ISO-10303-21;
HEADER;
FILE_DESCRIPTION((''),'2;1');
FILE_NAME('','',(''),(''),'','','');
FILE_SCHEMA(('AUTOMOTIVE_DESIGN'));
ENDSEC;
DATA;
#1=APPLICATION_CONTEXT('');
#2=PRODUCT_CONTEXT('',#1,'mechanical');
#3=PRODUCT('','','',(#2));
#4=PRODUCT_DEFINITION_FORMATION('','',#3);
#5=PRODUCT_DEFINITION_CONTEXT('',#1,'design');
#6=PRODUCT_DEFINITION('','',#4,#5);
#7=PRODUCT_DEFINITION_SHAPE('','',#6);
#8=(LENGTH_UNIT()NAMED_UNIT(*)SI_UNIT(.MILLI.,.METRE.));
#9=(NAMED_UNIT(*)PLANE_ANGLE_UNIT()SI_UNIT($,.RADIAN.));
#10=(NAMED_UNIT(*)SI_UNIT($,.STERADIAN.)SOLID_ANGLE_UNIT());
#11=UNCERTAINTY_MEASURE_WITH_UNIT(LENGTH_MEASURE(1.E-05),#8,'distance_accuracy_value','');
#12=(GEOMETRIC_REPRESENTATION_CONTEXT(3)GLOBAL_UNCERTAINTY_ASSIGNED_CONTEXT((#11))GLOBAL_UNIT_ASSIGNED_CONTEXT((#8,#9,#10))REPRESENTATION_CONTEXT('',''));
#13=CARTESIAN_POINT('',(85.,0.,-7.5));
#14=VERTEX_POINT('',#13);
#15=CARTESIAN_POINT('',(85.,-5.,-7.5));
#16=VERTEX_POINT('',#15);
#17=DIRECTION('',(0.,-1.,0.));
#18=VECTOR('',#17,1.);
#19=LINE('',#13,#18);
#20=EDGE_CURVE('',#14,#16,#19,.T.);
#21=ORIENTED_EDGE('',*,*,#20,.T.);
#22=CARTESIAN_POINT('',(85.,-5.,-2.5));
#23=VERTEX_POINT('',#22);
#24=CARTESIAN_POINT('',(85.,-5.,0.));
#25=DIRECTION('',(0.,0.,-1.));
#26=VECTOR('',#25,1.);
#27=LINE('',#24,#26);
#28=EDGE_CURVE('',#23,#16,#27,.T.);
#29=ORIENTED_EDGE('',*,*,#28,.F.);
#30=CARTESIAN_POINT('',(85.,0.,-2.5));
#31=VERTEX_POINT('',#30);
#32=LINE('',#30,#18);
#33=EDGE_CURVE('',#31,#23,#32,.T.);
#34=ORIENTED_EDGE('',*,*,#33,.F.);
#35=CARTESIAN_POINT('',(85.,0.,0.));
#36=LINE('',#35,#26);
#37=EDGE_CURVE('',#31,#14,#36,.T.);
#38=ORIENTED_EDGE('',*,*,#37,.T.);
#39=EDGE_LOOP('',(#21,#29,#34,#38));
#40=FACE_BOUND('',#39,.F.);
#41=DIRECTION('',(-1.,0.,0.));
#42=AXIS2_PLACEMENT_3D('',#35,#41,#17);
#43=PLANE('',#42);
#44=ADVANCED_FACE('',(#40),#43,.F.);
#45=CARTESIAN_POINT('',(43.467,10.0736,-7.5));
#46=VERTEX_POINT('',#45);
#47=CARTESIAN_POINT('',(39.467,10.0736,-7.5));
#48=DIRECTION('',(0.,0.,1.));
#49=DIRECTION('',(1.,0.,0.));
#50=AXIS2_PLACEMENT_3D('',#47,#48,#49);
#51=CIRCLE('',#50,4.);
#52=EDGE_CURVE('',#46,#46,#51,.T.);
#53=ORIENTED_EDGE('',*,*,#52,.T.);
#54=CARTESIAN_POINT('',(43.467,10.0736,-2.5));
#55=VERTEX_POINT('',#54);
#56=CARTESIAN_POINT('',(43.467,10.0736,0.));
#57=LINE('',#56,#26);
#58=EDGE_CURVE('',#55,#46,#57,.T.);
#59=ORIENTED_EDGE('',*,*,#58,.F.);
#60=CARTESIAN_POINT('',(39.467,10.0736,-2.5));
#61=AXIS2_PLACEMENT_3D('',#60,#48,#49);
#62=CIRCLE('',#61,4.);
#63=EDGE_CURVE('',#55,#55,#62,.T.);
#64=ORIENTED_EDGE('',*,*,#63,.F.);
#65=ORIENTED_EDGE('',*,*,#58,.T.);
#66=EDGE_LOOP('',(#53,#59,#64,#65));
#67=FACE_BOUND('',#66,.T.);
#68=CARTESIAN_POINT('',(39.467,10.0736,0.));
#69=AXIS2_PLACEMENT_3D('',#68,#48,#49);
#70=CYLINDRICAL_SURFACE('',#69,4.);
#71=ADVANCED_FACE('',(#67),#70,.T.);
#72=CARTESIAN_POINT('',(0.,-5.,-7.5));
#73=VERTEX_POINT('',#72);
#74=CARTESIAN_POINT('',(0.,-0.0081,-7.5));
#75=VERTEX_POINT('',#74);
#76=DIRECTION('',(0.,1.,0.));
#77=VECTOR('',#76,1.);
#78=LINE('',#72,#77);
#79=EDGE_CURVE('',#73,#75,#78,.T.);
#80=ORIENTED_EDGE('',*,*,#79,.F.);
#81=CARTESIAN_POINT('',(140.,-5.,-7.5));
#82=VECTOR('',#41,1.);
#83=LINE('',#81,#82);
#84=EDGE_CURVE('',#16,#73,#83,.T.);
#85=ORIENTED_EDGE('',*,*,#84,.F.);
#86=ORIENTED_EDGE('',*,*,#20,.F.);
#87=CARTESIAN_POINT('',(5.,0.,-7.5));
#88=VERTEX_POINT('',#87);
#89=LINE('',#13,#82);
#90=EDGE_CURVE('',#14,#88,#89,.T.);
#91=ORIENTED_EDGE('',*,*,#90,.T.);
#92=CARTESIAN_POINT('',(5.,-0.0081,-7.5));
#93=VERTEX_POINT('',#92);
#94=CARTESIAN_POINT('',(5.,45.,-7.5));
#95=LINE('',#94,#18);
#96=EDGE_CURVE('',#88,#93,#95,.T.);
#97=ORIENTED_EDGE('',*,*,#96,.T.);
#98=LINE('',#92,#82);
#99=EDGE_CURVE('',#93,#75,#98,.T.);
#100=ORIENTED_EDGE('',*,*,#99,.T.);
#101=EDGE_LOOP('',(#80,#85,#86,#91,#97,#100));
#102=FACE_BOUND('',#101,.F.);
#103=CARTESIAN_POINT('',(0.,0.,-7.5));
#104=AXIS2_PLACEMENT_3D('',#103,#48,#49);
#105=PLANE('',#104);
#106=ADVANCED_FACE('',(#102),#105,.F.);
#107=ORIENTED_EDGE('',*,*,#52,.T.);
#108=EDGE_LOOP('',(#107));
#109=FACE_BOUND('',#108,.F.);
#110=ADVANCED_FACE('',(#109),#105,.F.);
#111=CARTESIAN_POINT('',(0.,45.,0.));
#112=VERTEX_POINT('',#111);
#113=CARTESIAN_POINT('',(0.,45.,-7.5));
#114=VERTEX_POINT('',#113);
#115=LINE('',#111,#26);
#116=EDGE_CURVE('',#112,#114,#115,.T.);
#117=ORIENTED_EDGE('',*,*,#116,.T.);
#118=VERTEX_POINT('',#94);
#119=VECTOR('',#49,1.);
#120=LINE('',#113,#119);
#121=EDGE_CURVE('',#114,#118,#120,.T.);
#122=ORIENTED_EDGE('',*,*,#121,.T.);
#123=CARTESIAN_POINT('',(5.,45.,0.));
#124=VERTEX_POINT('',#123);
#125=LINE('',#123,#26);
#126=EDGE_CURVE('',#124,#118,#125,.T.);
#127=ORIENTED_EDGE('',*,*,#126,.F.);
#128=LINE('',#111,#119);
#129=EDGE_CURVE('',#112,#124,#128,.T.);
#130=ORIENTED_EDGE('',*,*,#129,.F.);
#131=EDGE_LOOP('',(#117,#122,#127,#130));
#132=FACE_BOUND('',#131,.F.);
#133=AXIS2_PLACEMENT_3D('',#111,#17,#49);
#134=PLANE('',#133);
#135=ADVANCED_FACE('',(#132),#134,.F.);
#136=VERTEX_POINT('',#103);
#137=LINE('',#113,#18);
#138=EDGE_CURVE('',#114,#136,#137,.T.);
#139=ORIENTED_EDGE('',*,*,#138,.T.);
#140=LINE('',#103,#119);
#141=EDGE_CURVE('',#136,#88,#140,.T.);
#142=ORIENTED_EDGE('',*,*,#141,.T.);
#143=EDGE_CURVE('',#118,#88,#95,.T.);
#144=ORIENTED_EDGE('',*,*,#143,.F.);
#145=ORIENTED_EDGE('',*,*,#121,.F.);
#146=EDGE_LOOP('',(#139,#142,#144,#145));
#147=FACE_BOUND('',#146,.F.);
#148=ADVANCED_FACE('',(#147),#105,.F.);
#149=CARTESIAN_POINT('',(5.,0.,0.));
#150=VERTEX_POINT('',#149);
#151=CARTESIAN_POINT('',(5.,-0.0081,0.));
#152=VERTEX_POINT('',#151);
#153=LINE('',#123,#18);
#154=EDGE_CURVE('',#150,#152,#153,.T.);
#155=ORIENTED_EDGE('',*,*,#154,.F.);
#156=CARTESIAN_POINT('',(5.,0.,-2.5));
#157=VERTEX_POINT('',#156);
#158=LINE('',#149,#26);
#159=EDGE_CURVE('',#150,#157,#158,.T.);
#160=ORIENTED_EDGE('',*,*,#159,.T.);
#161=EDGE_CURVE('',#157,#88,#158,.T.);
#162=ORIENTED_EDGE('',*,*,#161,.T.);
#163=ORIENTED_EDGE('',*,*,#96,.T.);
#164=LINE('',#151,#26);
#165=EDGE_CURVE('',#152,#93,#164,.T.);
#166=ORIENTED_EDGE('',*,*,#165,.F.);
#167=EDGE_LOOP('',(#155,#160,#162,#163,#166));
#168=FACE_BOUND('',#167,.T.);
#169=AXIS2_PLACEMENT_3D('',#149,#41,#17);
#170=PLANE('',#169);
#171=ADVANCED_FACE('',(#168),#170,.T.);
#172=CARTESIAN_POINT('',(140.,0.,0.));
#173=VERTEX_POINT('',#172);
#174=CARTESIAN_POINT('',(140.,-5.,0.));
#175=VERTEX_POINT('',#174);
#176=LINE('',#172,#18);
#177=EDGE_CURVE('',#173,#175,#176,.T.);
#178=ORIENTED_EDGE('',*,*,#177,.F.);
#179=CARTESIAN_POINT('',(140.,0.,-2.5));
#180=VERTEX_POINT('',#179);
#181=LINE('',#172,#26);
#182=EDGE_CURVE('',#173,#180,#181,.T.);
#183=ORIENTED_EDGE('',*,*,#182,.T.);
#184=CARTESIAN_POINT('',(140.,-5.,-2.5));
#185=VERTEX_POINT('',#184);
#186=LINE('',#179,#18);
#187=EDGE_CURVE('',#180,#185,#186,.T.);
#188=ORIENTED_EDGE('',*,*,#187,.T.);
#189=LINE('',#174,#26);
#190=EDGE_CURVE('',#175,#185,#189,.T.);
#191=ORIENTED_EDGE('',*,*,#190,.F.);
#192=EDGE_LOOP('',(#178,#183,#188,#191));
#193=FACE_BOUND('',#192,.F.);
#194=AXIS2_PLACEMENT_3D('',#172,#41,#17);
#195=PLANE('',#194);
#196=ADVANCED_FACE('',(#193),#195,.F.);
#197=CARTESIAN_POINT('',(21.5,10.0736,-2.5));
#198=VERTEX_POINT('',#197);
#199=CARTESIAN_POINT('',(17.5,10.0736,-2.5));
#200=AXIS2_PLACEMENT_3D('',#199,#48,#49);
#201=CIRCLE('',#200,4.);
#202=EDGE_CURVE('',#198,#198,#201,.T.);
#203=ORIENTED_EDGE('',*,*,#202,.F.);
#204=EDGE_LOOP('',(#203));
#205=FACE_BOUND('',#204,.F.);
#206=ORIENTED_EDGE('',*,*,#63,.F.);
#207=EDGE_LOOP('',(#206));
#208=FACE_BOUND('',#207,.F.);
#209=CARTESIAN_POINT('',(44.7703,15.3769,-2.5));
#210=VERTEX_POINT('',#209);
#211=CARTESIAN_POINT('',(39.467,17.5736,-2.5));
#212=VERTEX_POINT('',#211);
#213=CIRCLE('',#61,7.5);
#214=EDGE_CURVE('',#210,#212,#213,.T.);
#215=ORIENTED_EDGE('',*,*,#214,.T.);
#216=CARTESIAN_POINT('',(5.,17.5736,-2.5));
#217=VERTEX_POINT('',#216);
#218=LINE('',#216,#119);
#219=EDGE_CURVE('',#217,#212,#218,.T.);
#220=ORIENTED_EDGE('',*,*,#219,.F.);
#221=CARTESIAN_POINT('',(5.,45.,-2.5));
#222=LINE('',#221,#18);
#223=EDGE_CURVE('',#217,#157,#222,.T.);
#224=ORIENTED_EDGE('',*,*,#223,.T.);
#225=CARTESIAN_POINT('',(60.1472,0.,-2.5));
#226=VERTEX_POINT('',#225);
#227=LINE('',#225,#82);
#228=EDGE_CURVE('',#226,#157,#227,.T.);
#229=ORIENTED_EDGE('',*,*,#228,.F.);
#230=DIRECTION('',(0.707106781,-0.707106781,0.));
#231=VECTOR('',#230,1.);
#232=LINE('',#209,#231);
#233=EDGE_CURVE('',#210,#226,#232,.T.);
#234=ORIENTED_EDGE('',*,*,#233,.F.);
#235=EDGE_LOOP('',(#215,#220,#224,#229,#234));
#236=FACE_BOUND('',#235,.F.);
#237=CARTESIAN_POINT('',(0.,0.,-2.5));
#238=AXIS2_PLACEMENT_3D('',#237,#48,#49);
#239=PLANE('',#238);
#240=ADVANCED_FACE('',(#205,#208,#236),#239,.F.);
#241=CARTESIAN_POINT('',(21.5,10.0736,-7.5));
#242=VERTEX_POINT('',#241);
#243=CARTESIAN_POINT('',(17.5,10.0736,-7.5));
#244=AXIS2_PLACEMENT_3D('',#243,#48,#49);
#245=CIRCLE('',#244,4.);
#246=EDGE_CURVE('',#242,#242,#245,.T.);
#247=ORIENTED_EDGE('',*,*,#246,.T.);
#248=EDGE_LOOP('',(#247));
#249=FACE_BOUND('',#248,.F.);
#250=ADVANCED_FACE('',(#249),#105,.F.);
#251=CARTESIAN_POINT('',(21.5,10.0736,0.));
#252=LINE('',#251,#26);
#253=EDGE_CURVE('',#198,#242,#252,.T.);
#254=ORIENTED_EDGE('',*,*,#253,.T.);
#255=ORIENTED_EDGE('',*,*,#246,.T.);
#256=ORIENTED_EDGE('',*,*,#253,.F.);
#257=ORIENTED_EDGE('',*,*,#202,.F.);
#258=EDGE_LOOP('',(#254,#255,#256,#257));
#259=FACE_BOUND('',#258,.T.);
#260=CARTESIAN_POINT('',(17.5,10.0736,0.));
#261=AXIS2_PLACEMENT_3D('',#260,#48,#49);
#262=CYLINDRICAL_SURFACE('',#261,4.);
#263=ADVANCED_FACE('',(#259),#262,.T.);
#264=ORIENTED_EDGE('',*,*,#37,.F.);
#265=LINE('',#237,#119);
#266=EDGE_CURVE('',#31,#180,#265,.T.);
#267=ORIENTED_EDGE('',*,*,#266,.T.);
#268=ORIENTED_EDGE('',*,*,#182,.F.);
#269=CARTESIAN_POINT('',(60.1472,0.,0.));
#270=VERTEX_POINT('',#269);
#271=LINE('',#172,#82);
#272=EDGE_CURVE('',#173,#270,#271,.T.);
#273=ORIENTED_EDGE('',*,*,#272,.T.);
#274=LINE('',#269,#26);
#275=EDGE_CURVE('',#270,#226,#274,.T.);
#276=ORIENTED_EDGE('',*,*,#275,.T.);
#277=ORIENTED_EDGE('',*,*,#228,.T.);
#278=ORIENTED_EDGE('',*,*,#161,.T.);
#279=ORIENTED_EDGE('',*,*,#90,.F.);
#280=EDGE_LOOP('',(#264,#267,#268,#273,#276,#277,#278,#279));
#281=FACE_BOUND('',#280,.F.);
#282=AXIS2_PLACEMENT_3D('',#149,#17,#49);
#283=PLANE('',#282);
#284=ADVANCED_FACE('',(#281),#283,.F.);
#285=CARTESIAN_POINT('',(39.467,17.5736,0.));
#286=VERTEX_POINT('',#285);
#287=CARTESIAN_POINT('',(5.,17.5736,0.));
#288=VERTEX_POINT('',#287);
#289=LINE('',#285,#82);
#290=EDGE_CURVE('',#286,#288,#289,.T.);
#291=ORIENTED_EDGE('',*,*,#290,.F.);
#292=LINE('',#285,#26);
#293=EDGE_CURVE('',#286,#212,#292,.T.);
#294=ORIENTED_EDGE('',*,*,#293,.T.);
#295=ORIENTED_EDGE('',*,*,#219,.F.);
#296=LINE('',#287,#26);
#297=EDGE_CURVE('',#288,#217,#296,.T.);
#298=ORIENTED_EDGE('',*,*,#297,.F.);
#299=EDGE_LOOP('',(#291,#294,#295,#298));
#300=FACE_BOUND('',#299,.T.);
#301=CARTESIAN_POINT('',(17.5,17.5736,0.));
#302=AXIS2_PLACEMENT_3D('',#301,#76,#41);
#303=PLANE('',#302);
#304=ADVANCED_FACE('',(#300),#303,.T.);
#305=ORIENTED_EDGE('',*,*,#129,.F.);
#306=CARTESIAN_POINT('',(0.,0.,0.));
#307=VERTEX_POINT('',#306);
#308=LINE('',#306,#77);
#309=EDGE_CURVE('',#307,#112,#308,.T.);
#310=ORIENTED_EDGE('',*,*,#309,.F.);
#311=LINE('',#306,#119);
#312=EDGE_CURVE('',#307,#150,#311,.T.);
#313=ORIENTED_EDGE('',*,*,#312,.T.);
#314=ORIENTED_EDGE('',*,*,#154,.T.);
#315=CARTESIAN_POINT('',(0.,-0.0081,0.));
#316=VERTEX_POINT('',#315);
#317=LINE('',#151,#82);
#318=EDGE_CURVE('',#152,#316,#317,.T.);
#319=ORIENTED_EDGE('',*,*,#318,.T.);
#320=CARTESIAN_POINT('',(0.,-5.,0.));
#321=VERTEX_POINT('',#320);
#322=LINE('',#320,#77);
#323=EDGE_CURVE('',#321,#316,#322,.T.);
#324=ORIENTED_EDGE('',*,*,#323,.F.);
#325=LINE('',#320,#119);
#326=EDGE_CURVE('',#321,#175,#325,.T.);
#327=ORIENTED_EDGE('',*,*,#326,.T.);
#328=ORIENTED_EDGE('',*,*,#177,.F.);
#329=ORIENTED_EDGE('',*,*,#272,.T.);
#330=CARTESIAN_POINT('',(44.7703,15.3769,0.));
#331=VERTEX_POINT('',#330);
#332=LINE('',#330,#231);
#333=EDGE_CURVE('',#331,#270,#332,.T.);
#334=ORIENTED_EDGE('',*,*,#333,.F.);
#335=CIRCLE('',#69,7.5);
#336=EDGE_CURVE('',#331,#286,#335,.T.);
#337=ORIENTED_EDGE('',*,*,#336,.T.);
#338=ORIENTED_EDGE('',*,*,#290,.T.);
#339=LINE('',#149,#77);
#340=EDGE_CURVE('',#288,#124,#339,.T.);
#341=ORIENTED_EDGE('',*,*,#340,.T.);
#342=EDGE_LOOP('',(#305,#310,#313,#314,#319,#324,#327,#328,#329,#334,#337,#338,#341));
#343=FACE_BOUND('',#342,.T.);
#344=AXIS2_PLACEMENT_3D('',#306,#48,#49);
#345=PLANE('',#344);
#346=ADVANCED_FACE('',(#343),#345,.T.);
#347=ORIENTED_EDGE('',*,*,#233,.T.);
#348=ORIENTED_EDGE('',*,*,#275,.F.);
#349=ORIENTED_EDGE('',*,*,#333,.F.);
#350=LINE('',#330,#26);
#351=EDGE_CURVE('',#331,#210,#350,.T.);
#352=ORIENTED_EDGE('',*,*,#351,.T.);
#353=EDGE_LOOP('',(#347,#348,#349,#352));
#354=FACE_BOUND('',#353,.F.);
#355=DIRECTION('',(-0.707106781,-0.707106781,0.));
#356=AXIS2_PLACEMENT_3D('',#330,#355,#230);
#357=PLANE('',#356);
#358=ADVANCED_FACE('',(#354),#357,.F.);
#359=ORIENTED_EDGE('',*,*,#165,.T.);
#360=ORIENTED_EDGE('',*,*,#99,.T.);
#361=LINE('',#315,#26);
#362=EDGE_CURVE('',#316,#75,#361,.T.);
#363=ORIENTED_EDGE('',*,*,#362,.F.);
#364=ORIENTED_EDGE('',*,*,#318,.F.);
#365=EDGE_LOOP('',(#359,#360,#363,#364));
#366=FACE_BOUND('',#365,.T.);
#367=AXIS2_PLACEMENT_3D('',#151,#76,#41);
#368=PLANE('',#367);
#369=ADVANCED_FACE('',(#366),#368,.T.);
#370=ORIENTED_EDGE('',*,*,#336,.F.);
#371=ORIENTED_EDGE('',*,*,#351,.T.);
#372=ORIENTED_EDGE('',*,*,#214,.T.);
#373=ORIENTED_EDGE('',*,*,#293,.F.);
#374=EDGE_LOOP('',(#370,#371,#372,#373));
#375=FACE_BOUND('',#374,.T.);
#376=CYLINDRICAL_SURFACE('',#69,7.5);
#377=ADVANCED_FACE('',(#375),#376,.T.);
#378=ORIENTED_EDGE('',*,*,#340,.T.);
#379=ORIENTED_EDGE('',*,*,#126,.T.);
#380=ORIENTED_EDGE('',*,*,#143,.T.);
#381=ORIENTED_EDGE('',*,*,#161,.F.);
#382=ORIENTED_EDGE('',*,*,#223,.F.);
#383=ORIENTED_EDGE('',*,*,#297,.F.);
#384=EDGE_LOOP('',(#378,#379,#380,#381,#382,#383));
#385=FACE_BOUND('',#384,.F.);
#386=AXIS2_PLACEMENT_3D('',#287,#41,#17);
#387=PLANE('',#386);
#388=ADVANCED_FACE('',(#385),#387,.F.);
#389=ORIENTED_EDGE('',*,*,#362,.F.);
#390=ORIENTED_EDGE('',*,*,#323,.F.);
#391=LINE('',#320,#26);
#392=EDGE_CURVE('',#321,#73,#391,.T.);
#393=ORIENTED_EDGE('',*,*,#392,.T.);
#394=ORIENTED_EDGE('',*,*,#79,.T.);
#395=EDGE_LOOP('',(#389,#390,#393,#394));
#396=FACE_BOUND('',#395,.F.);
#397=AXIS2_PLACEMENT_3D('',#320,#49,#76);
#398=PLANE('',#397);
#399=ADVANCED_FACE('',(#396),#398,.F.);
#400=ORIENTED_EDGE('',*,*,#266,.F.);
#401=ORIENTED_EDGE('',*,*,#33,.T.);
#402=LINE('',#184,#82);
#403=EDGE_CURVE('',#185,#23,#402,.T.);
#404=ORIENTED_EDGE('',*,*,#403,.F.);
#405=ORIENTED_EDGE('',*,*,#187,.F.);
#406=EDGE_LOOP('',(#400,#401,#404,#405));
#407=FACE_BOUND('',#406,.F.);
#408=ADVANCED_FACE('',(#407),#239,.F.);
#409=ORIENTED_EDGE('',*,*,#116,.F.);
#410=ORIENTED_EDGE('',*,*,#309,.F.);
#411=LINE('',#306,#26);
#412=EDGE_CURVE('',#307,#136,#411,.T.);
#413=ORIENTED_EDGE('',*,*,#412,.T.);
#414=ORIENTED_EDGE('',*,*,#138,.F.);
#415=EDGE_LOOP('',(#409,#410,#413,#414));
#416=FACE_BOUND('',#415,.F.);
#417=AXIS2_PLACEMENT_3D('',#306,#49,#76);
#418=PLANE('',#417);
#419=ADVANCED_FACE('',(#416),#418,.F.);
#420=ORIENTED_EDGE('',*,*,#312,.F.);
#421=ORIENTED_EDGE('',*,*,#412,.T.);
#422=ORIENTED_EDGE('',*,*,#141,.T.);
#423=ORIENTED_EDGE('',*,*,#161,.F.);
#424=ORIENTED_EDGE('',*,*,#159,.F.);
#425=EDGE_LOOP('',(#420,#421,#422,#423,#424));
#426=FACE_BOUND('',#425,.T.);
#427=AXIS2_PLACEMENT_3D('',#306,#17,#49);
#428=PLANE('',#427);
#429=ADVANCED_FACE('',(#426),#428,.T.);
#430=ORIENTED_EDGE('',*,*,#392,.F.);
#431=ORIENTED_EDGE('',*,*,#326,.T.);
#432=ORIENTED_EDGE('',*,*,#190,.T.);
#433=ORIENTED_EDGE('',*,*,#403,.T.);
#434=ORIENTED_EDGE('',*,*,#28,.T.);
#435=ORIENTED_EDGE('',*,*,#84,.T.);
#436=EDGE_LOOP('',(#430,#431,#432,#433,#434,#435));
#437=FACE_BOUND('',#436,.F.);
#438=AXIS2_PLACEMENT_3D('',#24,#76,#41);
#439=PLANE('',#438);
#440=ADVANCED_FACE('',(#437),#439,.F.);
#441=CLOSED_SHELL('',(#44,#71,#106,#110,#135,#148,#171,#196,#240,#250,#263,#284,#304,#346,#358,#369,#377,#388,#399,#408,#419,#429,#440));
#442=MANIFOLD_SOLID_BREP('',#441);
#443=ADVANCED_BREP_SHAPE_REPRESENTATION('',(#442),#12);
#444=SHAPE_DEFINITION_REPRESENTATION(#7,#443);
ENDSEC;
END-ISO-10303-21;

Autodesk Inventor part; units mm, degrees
ref_plane "YZ Plane" through (0, 0, 0) normal (1, 0, 0) x (0, 1, 0)
ref_plane "XZ Plane" through (0, 0, 0) normal (0, 1, 0) x (-1, 0, 0)
ref_plane "XY Plane" through (0, 0, 0) normal (0, 0, 1) x (1, 0, 0)
sketch "Sketch1" plane through (0, 0, 0) normal (0, 0, 1) x (1, 0, 0)
  line L0 (0, 0) -> (140, 0)
  line L1 (140, 0) -> (140, 60) construction
  line L2 (140, 60) -> (0, 60) construction
  line L3 (0, 60) -> (0, 0) construction
  line L4 (0, 45) -> (15, 60)
  line L5 (0, 45) -> (21.2132, 45) construction
  line L6 (0, 45) -> (140, 45) construction
  line L7 (140, 45) -> (125, 60)
  line L8 (140, 45) -> (161.2132, 45) construction
  line L9 (0, 0) -> (0, 45)
  line L10 (140, 0) -> (140, 45)
  line L11 (125, 60) -> (15, 60)
  line L12 (0, 0) -> (140, 0)
  line L13 (140, 0) -> (140, 5)
  line L14 (140, 5) -> (0, 5) construction
  line L15 (0, 5) -> (0, 0)
  line L16 (0, 0) -> (5, 0)
  line L17 (5, 0) -> (5, 50) construction
  line L18 (5, 50) -> (0, 50) construction
  line L19 (0, 50) -> (0, 0) construction
  line L20 (140, 0) -> (135, 0) construction
  line L21 (135, 0) -> (135, 50) construction
  line L22 (135, 50) -> (140, 50) construction
  line L23 (140, 50) -> (140, 0) construction
  line L24 (0, 45) -> (30, 45)
  line L25 (140, 45) -> (30, 45)
  line L26 (85, 45) -> (100, 60)
  line L27 (140, 45) -> (34.9105, 45)
  line L28 (34.9105, 0) -> (140, 0)
  line L29 (140, 0) -> (140, 45)
  line L30 (0, 0) -> (10, 0)
  line L31 (10, 0) -> (10, 45) construction
  line L32 (10, 45) -> (0, 45)
  line L33 (0, 45) -> (0, 0)
  line L34 (10, 5) -> (25.8293, 5) construction
  circle A0 centre (81.8934, 52.5) radius 7.5 construction
  line L35 (81.8934, 52.5) -> (39.467, 10.0736) construction
  line L36 (81.8934, 52.5) -> (141.8934, 52.5) construction
  circle A1 centre (39.467, 10.0736) radius 7.5
  circle A2 centre (17.5, 10.0736) radius 7.5
  line L37 (17.5, 10.0736) -> (39.467, 10.0736) construction
  line L38 (17.5, 10.0736) -> (59.9264, 52.5) construction
  line L39 (17.5, 10.0736) -> (77.5, 10.0736) construction
  circle A3 centre (59.9264, 52.5) radius 7.5 construction
  line L40 (59.9264, 52.5) -> (81.8934, 52.5) construction
  circle A4 centre (52.4264, 45) radius 7.5 construction
  circle A5 centre (74.3934, 45) radius 7.5 construction
  line L41 (12.1967, 15.3769) -> (47.1231, 50.3033) construction
  line L42 (57.7297, 39.6967) -> (22.8033, 4.7703) construction
  line L43 (34.1637, 15.3769) -> (69.0901, 50.3033) construction
  line L44 (79.6967, 39.6967) -> (44.7703, 4.7703) construction
  circle A6 centre (52.4264, 45) radius 8
  circle A7 centre (74.3934, 45) radius 8
  line L45 (52.4264, 45) -> (74.3934, 45)
  line L46 (46.7696, 50.6569) -> (41.1127, 45)
  line L47 (46.7696, 50.6569) -> (54.7696, 50.6569) construction
  line L48 (79.0022, 38.461) -> (36.7044, 38.461) construction
  line L49 (52.4264, 53) -> (93, 53)
  circle A8 centre (17.5, 10.0736) radius 4
  circle A9 centre (39.467, 10.0736) radius 4
  line L50 (0, 0) -> (140, 0)
  line L51 (140, 0) -> (140, -5)
  line L52 (140, -5) -> (0, -5)
  line L53 (0, -5) -> (0, 0)
  line L54 (0, 45) -> (5, 45)
  line L55 (5, 45) -> (5, -0.0081)
  line L56 (5, -0.0081) -> (0, -0.0081)
  line L57 (0, -0.0081) -> (0, 45)
  line L58 (17.5, 17.5736) -> (5, 17.5736)
  line L59 (44.7703, 15.3769) -> (60.1472, 0)
  line L60 (39.467, 17.5736) -> (17.5, 17.5736)
  line L61 (85, 45) -> (85, 0)
  line L62 (85, 0) -> (85, -5)
  point P0 (43.467, 0)
  dimension "d19" = 16
  dimension "d0" = 140
  dimension "d1" = 60
  dimension "d2" = 45
  dimension "d3" = 15
  dimension "d4" = 135
  dimension "d5" = 5
  dimension "d6" = 5
  dimension "d7" = 5
  dimension "d8" = 25
  dimension "d9" = 10
  dimension "d10" = 60
  dimension "d11" = 135
  dimension "d12" = 15
  dimension "d13" = 15
  dimension "d14" = 60
  dimension "d15" = 45
  dimension "d16" = 15
  dimension "d17" = 15
  dimension "d18" = 16
  dimension "d20" = 135
  dimension "d21" = 8
  dimension "d22" = 8
  dimension "d23" = 5
  dimension "d24" = 5
extrude "Extrusion1" add sketch "Sketch1" against normal blind 7.5 contours L9 L24 L55 L0 | L0 L62 L52 L53 L56 L55 | A8 | A9
extrude "Extrusion2" add sketch "Sketch1" against normal blind 2.5 contours A2 | L55 L58 L60 A1 L59 L0 | L62 L0 L51 L52 | A1
properties part number "Basseipt"
